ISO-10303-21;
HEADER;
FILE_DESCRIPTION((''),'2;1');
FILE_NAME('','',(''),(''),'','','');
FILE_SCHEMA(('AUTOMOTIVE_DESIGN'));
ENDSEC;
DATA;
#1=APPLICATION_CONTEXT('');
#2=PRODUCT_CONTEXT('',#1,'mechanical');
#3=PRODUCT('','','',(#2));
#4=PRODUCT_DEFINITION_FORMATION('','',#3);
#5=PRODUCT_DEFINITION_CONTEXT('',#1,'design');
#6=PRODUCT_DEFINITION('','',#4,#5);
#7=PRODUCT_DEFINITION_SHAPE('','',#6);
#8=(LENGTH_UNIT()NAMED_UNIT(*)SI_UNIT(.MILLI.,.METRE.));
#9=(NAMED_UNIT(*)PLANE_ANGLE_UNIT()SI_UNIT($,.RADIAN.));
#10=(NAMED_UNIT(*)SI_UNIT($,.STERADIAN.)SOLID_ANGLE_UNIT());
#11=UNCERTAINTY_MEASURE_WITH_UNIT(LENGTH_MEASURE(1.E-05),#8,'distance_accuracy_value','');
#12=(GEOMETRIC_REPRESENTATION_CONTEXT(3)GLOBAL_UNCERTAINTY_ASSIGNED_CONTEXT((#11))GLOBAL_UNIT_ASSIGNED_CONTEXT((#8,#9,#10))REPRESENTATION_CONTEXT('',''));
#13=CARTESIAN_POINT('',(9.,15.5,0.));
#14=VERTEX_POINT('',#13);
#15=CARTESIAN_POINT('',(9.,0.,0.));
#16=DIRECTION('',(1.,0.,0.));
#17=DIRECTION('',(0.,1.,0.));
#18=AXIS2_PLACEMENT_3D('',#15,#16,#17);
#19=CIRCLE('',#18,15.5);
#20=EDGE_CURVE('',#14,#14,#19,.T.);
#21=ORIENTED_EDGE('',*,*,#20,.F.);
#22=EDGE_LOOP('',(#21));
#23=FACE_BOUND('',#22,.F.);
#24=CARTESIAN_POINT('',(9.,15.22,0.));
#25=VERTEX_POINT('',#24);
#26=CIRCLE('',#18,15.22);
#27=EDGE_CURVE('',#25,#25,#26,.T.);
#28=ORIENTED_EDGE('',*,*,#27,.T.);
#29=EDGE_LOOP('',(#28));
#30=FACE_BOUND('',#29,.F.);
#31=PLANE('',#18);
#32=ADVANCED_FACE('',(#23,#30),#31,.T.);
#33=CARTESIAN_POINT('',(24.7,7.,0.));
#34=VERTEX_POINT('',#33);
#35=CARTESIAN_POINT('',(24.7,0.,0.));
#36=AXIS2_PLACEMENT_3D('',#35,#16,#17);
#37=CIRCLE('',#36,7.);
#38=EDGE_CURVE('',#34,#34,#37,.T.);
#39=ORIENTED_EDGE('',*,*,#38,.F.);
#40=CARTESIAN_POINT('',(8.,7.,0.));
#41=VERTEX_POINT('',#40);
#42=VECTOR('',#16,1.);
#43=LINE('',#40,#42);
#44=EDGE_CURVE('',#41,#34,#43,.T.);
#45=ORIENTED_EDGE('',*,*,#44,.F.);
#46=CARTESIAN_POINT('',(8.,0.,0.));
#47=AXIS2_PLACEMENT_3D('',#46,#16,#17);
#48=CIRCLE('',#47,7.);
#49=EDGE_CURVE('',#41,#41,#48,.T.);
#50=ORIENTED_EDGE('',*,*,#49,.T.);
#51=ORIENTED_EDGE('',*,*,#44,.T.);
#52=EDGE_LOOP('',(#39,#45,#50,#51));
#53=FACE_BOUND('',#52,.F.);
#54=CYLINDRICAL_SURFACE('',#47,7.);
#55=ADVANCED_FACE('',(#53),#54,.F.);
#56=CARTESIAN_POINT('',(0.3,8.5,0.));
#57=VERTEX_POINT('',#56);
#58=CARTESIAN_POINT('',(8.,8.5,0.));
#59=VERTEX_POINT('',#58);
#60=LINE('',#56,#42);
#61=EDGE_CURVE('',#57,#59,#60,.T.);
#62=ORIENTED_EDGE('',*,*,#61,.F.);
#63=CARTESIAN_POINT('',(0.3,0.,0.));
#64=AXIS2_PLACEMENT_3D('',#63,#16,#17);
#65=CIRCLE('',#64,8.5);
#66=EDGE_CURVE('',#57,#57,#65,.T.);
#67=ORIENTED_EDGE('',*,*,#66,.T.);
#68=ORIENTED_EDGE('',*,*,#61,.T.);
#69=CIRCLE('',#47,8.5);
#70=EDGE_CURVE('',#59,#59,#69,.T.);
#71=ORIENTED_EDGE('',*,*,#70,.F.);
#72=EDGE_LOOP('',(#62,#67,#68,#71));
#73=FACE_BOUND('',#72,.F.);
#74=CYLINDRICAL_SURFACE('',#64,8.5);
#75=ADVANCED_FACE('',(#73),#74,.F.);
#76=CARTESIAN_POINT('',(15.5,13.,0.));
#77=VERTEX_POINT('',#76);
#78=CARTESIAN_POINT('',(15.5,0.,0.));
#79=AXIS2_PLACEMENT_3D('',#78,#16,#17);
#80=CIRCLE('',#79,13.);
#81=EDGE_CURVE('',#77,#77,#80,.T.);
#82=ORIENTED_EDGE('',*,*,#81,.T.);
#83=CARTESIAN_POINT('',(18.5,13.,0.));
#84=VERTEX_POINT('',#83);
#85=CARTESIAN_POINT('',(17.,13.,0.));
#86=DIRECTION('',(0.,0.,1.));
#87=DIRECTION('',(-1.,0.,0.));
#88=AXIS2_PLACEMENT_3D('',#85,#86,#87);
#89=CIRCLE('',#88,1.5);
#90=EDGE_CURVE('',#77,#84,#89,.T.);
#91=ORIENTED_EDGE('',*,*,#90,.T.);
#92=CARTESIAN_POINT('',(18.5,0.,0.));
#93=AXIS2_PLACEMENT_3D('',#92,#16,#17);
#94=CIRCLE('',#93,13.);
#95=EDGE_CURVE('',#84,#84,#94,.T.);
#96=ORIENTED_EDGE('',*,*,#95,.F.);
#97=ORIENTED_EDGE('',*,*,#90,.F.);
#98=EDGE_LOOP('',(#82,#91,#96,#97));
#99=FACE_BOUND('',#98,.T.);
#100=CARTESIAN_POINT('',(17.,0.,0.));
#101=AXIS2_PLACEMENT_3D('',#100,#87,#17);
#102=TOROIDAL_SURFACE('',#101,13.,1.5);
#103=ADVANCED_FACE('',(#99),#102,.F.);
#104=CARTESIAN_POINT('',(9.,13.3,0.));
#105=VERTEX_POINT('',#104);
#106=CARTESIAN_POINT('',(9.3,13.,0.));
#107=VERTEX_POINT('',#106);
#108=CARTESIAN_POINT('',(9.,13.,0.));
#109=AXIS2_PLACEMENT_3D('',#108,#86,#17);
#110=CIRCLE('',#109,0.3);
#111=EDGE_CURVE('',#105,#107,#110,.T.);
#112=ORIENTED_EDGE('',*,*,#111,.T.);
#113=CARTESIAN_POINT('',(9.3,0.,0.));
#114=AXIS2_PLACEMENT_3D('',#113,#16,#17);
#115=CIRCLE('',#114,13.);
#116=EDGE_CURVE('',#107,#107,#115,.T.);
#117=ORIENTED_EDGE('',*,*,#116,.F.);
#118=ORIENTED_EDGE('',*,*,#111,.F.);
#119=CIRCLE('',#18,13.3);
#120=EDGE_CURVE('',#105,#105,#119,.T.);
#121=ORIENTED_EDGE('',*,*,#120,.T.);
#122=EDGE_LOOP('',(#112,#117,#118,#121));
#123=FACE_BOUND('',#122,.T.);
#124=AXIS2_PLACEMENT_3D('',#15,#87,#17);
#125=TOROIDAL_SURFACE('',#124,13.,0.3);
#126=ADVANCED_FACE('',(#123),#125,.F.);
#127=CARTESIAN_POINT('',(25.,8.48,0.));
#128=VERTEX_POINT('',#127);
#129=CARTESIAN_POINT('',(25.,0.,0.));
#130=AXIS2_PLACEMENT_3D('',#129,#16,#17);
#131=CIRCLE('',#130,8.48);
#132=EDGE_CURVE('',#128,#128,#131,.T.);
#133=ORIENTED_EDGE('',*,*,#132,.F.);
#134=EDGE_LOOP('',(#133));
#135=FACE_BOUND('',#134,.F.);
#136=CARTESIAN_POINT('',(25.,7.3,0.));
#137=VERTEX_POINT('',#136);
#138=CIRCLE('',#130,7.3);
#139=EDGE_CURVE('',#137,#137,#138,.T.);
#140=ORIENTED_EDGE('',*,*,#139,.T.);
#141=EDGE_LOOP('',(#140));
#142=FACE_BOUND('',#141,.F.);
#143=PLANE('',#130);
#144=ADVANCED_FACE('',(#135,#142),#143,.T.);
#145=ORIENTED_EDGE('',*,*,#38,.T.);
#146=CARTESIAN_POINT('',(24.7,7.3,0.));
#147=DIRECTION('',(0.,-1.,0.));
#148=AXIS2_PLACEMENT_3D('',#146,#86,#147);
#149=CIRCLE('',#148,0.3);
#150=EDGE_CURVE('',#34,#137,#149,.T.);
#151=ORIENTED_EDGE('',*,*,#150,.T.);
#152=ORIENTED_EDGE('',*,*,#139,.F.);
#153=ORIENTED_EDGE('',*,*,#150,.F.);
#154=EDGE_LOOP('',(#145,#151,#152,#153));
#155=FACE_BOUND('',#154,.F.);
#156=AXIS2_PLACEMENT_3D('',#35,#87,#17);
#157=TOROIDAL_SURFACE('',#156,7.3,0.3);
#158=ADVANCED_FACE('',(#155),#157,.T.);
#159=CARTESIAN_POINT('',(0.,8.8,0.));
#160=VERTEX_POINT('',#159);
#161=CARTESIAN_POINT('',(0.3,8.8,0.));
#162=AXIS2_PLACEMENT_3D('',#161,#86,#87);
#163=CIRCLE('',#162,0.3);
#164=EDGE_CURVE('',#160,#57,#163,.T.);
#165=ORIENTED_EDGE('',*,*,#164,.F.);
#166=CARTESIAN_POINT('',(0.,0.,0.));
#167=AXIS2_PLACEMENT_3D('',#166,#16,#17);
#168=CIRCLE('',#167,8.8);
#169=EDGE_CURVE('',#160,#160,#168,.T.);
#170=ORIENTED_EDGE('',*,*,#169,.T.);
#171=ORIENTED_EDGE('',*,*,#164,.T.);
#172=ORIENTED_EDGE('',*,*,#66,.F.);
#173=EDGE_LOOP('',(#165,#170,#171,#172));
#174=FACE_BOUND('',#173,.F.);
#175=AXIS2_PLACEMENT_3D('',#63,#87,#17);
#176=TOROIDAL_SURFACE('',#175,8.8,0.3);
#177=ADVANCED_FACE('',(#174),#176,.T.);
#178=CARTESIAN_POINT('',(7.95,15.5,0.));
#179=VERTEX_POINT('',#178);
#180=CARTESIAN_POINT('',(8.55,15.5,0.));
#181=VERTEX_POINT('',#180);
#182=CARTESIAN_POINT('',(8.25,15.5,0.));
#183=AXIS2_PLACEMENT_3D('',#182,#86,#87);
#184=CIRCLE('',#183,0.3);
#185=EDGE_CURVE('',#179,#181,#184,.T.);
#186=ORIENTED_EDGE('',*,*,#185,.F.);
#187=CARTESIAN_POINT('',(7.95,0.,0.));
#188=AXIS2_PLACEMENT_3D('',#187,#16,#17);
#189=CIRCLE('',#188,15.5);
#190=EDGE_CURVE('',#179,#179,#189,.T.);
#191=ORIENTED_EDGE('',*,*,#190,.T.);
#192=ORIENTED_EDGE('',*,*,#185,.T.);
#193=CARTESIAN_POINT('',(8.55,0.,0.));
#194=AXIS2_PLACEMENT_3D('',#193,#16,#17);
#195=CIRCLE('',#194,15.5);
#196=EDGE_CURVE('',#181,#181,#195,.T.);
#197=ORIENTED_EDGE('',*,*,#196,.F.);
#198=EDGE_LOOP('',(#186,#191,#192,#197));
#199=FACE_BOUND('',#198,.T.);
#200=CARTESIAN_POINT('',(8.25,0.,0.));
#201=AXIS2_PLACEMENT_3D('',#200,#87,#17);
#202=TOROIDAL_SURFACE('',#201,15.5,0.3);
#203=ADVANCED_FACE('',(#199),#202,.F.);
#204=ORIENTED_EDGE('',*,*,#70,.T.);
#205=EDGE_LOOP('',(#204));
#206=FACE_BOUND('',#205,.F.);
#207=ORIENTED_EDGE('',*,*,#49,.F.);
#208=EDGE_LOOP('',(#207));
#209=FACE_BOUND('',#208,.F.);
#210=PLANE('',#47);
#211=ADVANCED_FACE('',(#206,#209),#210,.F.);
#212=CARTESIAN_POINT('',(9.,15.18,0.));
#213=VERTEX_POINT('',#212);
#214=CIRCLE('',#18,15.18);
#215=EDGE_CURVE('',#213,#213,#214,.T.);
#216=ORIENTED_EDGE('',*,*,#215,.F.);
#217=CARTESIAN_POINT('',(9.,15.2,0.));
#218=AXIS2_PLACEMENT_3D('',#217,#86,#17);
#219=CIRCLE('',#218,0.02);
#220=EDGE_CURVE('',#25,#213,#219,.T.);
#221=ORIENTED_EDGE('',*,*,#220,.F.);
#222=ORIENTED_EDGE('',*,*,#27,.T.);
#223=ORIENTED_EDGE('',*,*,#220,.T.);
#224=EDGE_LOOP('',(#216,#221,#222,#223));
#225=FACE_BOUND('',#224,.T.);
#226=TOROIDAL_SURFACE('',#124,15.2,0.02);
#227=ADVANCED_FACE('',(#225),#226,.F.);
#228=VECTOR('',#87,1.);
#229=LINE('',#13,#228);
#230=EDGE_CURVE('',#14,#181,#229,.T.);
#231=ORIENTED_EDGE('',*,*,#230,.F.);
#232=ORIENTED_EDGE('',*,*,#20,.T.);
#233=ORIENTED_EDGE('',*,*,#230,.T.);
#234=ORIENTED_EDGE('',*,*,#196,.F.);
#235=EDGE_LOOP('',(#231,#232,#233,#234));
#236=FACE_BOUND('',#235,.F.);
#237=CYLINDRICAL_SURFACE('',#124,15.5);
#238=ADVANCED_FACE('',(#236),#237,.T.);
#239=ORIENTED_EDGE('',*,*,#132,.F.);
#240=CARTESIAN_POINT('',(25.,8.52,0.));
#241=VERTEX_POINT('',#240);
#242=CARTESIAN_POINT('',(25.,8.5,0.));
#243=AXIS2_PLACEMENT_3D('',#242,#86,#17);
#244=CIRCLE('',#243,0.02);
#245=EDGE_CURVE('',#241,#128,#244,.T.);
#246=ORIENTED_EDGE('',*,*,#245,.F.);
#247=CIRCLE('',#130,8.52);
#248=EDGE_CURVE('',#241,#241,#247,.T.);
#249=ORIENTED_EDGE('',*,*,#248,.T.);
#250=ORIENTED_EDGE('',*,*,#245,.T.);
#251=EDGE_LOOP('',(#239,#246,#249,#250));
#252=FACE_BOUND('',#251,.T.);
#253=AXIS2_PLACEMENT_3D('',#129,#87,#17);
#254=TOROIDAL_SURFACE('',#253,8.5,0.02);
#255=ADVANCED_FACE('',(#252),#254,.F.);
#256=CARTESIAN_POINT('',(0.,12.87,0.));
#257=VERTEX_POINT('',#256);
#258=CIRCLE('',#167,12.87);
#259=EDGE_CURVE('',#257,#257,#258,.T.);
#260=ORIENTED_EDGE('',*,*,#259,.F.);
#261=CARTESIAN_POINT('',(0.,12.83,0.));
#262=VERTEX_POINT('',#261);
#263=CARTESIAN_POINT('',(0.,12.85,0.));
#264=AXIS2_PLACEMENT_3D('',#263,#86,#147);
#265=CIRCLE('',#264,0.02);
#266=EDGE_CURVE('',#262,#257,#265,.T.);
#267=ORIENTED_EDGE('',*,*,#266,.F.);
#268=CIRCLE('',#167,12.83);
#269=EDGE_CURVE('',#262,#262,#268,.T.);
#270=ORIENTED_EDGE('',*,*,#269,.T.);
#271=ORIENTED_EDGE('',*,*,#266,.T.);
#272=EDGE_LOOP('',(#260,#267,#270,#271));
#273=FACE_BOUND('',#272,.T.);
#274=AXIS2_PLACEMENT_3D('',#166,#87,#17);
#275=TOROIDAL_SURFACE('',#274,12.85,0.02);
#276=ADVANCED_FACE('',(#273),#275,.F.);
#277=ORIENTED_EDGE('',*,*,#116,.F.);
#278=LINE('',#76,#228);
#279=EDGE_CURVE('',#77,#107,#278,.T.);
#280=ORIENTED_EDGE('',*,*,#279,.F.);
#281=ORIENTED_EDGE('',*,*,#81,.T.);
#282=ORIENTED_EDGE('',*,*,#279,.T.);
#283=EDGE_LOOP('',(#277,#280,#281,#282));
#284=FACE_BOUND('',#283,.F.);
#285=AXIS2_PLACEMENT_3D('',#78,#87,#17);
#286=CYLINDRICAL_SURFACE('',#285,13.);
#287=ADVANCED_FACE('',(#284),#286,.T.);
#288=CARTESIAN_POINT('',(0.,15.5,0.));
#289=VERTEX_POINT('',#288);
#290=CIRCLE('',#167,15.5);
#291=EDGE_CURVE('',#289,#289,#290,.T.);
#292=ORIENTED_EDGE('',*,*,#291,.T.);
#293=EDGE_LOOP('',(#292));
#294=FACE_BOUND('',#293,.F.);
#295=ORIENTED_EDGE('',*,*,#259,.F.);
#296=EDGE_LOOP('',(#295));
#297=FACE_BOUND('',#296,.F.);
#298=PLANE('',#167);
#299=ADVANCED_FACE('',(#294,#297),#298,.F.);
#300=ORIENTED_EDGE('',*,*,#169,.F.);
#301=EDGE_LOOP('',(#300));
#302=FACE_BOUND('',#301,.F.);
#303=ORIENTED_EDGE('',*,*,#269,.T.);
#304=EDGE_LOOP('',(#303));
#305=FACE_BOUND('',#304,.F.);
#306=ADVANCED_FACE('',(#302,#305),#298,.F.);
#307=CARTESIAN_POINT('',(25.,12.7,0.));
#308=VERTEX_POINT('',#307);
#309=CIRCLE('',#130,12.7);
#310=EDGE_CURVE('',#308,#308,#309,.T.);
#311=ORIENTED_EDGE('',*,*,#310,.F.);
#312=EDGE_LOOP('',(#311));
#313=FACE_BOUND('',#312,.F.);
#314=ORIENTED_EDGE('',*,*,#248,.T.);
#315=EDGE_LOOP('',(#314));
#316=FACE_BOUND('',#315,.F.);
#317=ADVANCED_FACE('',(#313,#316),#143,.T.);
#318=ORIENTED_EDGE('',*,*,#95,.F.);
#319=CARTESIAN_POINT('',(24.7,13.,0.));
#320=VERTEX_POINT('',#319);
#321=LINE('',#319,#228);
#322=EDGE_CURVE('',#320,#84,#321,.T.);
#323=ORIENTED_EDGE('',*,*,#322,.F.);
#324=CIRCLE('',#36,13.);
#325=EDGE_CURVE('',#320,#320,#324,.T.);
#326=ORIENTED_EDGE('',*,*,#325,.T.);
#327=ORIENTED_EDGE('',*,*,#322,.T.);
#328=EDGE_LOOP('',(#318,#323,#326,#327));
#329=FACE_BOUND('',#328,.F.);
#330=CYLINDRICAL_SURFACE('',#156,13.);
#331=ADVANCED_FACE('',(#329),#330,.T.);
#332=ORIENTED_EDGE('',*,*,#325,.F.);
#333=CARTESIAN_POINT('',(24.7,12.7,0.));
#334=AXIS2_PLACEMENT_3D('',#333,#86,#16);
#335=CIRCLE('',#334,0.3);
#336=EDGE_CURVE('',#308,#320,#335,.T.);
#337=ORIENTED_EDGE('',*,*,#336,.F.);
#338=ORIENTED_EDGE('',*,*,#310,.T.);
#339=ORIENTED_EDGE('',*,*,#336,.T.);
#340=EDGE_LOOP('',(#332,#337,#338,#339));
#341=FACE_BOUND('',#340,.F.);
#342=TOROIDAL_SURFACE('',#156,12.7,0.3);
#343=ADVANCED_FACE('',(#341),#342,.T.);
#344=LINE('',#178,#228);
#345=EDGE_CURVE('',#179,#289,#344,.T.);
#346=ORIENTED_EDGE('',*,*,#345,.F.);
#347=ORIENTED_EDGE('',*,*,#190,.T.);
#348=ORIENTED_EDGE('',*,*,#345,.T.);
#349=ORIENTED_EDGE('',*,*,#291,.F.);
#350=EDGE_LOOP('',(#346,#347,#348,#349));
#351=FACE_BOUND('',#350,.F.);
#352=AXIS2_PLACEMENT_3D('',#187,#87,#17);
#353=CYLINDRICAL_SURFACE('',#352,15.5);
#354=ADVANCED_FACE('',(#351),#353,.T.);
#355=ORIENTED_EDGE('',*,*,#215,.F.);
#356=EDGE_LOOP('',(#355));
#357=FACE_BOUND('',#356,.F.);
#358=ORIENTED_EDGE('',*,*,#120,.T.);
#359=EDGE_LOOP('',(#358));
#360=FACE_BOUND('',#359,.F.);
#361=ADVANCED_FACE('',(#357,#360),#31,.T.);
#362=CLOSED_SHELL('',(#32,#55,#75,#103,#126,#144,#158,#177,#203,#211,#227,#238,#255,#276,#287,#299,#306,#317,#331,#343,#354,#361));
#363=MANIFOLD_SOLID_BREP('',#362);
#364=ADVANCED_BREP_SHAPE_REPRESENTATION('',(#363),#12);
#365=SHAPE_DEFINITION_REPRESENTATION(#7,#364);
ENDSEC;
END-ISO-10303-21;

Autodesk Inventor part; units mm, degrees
sketch "Sketch_1" plane through (0, 0, 0) normal (0, 0, 1) x (1, 0, 0)
  line L0 (25, 0) -> (0, 0)
  line L1 (0, 15.5) -> (0, 12.87)
  arc A0 (0, 12.83) -> (0, 12.87) centre (0, 12.85) ccw
  line L2 (0, 12.83) -> (0, 8.8)
  arc A1 (0, 8.8) -> (0.3, 8.5) centre (0.3, 8.8) ccw
  line L3 (0.3, 8.5) -> (8, 8.5)
  line L4 (8, 8.5) -> (8, 7)
  line L5 (8, 7) -> (24.7, 7)
  arc A2 (24.7, 7) -> (25, 7.3) centre (24.7, 7.3) ccw
  line L6 (25, 7.3) -> (25, 8.48)
  arc A3 (25, 8.52) -> (25, 8.48) centre (25, 8.5) ccw
  line L7 (25, 8.52) -> (25, 12.7)
  arc A4 (25, 12.7) -> (24.7, 13) centre (24.7, 12.7) ccw
  line L8 (24.7, 13) -> (18.5, 13)
  arc A5 (15.5, 13) -> (18.5, 13) centre (17, 13) ccw
  line L9 (15.5, 13) -> (9.3, 13)
  arc A6 (9, 13.3) -> (9.3, 13) centre (9, 13) ccw
  line L10 (9, 13.3) -> (9, 15.18)
  arc A7 (9, 15.22) -> (9, 15.18) centre (9, 15.2) ccw
  line L11 (9, 15.22) -> (9, 15.5)
  line L12 (9, 15.5) -> (8.55, 15.5)
  arc A8 (7.95, 15.5) -> (8.55, 15.5) centre (8.25, 15.5) ccw
  line L13 (7.95, 15.5) -> (0, 15.5)
revolve "Revolution1" add sketch "Sketch_1" angle 360 about axis through (25, 0, 0) along (1, 0, 0)
ref_plane "to_housing_XY" through (9, 0, 0) normal (1, 0, 0) x (0, 0, -1)
ref_plane "to_housing_YZ" through (9, 0, 0) normal (0, 0, -1) x (0, 1, 0)
ref_plane "to_housing_ZX" through (9, 0, 0) normal (0, 1, 0) x (1, 0, 0)
properties part number "NKXZ14"
